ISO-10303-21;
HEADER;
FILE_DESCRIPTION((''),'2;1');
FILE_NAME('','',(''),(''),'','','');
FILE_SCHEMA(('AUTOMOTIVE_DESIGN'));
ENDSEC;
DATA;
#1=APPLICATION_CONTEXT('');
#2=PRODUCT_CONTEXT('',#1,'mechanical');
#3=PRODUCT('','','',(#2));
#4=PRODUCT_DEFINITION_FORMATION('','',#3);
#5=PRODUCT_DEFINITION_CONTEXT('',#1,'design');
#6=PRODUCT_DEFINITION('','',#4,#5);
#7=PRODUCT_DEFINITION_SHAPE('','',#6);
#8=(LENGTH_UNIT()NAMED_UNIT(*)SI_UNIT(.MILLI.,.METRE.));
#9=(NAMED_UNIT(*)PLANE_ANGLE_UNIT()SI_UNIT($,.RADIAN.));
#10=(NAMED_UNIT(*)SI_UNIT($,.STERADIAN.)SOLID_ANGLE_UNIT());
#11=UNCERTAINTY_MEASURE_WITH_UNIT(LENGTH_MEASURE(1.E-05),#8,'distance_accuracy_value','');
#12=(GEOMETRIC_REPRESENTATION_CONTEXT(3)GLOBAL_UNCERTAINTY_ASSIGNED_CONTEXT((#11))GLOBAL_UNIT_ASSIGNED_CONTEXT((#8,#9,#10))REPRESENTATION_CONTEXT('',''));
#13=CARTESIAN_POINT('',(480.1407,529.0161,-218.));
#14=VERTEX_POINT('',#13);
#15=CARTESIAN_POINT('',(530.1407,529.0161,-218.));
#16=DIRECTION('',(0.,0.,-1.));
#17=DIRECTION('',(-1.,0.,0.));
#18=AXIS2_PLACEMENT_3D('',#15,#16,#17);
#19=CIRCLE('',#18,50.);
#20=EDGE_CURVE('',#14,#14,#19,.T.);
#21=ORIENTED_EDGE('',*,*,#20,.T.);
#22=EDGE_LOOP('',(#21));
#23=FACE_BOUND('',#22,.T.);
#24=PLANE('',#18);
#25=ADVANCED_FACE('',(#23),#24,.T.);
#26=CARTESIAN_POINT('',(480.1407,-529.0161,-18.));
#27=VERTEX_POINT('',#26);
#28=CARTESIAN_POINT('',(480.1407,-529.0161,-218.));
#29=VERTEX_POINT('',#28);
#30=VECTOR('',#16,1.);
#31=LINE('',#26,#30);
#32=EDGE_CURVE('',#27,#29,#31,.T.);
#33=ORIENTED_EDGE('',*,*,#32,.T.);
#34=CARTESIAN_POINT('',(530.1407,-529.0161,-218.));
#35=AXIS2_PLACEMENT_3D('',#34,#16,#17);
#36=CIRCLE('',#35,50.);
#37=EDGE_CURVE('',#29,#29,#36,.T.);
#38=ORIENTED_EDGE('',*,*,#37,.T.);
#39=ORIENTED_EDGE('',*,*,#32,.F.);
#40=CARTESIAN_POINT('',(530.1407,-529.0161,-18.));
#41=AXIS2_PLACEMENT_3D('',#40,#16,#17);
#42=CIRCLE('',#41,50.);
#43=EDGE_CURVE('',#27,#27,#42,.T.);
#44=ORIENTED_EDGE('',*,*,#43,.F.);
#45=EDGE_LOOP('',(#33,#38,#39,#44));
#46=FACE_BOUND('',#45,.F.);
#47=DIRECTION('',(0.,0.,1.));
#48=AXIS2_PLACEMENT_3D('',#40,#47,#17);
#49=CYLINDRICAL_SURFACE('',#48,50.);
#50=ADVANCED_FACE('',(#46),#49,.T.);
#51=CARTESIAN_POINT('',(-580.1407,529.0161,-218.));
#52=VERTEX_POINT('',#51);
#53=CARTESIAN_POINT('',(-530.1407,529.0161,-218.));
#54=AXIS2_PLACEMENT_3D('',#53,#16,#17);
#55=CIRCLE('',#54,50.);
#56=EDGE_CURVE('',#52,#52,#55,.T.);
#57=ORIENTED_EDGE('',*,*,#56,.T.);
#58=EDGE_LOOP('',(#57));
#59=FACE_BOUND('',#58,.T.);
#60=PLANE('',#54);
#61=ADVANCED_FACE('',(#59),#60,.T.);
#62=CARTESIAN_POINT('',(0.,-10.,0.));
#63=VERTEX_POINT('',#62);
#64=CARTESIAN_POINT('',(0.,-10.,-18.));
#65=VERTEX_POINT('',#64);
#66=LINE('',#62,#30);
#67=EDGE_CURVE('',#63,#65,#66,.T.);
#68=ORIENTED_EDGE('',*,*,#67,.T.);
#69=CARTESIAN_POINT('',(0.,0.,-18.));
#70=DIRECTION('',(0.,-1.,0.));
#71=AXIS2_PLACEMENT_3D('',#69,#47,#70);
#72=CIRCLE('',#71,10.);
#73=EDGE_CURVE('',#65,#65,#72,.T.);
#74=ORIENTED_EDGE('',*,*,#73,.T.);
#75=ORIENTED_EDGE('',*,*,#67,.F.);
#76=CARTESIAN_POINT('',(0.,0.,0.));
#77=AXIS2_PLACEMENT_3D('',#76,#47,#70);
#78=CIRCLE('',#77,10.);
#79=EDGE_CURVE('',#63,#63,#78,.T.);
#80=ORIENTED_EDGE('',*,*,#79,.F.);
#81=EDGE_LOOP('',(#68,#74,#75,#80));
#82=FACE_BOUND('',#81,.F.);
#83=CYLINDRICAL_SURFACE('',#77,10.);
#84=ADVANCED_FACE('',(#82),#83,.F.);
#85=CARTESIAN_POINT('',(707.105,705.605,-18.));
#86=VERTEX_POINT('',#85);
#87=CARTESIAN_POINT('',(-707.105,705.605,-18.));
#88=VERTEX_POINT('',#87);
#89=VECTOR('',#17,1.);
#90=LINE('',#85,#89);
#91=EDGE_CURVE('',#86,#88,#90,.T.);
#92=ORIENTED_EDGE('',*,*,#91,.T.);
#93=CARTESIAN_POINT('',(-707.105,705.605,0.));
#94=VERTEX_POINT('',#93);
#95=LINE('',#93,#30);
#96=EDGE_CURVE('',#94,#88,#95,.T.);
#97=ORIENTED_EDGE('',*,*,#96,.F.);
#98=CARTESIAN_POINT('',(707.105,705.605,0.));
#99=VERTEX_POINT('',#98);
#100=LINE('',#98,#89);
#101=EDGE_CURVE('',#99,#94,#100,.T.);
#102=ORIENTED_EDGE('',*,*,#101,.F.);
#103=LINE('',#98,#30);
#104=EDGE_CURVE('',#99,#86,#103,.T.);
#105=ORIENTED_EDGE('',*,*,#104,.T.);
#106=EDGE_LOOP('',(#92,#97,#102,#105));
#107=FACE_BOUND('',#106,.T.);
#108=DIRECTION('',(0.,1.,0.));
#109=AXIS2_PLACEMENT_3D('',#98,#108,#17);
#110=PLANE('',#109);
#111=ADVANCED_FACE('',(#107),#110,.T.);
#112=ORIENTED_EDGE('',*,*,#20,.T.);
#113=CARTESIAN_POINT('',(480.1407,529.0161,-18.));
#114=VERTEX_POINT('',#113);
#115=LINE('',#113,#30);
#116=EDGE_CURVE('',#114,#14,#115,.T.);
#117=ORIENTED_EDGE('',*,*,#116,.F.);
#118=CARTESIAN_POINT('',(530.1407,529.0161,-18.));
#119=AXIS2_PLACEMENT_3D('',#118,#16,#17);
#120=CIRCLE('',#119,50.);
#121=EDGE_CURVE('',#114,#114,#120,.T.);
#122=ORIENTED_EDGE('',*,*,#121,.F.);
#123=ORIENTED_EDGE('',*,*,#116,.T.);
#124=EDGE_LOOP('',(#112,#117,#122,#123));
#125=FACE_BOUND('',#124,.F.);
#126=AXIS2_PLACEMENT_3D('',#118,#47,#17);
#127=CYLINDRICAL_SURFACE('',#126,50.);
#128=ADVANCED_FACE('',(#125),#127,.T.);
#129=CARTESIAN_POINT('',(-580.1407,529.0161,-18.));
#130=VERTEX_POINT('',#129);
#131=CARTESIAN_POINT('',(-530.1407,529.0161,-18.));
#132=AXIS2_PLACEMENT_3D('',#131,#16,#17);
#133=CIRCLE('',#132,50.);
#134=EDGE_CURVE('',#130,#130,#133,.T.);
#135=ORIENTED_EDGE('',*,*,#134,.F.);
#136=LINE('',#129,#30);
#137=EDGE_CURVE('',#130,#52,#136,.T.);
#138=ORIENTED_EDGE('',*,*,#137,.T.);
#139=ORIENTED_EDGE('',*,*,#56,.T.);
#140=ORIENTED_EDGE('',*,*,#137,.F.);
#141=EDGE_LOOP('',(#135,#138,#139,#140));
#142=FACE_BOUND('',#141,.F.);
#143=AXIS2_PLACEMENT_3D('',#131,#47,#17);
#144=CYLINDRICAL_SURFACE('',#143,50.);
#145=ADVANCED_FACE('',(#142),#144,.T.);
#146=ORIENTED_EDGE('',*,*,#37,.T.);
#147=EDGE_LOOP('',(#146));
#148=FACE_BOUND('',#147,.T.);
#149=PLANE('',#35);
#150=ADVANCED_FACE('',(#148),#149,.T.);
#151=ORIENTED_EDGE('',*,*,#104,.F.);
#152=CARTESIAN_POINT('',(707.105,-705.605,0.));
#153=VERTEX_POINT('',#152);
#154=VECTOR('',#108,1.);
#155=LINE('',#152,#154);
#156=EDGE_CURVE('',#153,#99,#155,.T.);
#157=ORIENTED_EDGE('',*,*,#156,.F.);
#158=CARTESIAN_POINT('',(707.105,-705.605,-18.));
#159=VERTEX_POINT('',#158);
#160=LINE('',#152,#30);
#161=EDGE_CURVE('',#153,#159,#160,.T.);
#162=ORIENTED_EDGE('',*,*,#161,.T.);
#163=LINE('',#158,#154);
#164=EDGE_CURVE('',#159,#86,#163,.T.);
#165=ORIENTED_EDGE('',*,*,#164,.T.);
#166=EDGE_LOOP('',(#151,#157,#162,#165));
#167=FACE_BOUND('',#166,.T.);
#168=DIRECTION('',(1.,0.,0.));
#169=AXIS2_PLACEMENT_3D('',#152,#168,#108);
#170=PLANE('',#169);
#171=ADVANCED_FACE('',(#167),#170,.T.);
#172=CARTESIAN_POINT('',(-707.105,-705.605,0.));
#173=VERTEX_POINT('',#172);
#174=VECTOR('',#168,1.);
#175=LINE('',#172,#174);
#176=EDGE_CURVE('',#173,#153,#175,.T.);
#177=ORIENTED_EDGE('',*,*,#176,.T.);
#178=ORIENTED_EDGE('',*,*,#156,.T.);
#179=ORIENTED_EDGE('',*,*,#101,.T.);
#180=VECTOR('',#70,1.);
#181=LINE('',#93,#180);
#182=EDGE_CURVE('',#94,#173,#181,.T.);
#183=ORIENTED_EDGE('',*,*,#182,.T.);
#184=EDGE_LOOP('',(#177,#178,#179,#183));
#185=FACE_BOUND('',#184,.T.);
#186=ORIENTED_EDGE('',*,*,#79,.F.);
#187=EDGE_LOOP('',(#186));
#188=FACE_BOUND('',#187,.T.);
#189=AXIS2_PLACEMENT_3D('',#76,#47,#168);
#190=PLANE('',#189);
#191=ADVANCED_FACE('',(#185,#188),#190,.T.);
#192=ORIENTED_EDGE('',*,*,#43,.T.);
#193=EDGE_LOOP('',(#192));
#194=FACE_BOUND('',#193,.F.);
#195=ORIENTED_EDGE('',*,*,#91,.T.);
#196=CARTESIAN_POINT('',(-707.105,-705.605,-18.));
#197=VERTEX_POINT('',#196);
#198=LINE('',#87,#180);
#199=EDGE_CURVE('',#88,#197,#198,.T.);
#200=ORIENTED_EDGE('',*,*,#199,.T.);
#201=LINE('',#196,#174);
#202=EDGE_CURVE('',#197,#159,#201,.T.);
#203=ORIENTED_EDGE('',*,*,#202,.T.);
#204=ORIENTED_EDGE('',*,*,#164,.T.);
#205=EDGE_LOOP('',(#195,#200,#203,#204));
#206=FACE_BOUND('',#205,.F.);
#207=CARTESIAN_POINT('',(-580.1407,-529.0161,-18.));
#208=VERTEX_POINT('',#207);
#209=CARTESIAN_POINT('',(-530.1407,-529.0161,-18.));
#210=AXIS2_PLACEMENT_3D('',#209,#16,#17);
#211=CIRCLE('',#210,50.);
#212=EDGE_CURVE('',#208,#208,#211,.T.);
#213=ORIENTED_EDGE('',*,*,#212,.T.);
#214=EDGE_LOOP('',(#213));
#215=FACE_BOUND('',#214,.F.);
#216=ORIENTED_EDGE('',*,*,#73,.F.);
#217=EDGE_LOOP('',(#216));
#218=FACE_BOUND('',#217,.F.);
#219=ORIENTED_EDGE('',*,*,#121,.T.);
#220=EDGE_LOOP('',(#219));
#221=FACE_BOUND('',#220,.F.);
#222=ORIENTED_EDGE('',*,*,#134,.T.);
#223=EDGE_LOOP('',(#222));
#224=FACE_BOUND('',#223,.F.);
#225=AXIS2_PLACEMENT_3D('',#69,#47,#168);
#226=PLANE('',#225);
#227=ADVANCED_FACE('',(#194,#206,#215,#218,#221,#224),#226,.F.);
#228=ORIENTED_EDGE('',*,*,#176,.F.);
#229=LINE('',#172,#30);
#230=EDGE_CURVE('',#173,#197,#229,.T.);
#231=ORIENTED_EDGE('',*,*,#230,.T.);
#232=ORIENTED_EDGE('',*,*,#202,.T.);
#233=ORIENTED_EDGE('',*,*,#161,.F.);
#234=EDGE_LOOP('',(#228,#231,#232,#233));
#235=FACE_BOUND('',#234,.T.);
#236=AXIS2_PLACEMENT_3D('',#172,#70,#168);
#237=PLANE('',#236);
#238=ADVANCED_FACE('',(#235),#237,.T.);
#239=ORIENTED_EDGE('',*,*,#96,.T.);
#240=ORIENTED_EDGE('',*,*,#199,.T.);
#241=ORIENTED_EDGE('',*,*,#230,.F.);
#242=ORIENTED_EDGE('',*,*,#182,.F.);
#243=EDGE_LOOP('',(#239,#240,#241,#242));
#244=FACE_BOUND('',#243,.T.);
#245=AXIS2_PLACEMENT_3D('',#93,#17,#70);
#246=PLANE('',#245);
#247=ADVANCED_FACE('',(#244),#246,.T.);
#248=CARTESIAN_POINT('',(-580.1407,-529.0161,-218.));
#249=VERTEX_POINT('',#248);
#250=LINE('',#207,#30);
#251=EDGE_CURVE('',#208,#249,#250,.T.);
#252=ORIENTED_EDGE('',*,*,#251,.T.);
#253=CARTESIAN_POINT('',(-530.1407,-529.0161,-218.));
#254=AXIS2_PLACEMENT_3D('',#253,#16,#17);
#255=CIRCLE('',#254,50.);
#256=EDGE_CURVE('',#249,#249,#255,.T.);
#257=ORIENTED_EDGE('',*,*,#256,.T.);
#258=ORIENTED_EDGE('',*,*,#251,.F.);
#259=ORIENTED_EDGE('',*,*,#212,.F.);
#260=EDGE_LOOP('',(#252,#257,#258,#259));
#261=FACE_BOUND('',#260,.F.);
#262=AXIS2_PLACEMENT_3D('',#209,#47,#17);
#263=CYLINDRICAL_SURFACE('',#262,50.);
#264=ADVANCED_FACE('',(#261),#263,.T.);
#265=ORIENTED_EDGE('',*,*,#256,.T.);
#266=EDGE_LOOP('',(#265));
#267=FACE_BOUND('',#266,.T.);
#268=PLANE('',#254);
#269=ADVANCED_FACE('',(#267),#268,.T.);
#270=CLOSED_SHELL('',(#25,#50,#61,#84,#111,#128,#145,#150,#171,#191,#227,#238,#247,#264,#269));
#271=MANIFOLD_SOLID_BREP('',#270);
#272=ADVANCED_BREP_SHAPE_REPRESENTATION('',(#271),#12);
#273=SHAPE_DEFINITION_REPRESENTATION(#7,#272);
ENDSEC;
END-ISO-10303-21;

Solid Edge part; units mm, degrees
sketch "Sketch1" plane through (0, 0, 0) normal (0, 0, 1) x (1, 0, 0)
  line L0 (-707.105, -705.605) -> (707.105, -705.605)
  line L1 (707.105, -705.605) -> (707.105, 705.605)
  line L2 (707.105, 705.605) -> (-707.105, 705.605)
  line L3 (-707.105, 705.605) -> (-707.105, -705.605)
extrude "Protrusion1" add sketch "Sketch1" against normal blind 18
sketch "Sketch2" plane through (0, 0, -18) normal (0, 0, -1) x (-1, 0, 0)
  circle A0 centre (-530.1407, 529.0161) radius 50
  circle A1 centre (530.1407, 529.0161) radius 50
  circle A2 centre (530.1407, -529.0161) radius 50
  circle A3 centre (-530.1407, -529.0161) radius 50
extrude "Kihúzás_2" add sketch "Sketch2" along normal blind 200
sketch "Sketch3" plane through (0, 0, 0) normal (0, 0, 1) x (0, -1, 0)
  circle A0 centre (0, 0) radius 10
extrude "Kivágás_1" cut sketch "Sketch3" along normal mid plane 923.1568
extrude "Kivágás_2" [suppressed]
